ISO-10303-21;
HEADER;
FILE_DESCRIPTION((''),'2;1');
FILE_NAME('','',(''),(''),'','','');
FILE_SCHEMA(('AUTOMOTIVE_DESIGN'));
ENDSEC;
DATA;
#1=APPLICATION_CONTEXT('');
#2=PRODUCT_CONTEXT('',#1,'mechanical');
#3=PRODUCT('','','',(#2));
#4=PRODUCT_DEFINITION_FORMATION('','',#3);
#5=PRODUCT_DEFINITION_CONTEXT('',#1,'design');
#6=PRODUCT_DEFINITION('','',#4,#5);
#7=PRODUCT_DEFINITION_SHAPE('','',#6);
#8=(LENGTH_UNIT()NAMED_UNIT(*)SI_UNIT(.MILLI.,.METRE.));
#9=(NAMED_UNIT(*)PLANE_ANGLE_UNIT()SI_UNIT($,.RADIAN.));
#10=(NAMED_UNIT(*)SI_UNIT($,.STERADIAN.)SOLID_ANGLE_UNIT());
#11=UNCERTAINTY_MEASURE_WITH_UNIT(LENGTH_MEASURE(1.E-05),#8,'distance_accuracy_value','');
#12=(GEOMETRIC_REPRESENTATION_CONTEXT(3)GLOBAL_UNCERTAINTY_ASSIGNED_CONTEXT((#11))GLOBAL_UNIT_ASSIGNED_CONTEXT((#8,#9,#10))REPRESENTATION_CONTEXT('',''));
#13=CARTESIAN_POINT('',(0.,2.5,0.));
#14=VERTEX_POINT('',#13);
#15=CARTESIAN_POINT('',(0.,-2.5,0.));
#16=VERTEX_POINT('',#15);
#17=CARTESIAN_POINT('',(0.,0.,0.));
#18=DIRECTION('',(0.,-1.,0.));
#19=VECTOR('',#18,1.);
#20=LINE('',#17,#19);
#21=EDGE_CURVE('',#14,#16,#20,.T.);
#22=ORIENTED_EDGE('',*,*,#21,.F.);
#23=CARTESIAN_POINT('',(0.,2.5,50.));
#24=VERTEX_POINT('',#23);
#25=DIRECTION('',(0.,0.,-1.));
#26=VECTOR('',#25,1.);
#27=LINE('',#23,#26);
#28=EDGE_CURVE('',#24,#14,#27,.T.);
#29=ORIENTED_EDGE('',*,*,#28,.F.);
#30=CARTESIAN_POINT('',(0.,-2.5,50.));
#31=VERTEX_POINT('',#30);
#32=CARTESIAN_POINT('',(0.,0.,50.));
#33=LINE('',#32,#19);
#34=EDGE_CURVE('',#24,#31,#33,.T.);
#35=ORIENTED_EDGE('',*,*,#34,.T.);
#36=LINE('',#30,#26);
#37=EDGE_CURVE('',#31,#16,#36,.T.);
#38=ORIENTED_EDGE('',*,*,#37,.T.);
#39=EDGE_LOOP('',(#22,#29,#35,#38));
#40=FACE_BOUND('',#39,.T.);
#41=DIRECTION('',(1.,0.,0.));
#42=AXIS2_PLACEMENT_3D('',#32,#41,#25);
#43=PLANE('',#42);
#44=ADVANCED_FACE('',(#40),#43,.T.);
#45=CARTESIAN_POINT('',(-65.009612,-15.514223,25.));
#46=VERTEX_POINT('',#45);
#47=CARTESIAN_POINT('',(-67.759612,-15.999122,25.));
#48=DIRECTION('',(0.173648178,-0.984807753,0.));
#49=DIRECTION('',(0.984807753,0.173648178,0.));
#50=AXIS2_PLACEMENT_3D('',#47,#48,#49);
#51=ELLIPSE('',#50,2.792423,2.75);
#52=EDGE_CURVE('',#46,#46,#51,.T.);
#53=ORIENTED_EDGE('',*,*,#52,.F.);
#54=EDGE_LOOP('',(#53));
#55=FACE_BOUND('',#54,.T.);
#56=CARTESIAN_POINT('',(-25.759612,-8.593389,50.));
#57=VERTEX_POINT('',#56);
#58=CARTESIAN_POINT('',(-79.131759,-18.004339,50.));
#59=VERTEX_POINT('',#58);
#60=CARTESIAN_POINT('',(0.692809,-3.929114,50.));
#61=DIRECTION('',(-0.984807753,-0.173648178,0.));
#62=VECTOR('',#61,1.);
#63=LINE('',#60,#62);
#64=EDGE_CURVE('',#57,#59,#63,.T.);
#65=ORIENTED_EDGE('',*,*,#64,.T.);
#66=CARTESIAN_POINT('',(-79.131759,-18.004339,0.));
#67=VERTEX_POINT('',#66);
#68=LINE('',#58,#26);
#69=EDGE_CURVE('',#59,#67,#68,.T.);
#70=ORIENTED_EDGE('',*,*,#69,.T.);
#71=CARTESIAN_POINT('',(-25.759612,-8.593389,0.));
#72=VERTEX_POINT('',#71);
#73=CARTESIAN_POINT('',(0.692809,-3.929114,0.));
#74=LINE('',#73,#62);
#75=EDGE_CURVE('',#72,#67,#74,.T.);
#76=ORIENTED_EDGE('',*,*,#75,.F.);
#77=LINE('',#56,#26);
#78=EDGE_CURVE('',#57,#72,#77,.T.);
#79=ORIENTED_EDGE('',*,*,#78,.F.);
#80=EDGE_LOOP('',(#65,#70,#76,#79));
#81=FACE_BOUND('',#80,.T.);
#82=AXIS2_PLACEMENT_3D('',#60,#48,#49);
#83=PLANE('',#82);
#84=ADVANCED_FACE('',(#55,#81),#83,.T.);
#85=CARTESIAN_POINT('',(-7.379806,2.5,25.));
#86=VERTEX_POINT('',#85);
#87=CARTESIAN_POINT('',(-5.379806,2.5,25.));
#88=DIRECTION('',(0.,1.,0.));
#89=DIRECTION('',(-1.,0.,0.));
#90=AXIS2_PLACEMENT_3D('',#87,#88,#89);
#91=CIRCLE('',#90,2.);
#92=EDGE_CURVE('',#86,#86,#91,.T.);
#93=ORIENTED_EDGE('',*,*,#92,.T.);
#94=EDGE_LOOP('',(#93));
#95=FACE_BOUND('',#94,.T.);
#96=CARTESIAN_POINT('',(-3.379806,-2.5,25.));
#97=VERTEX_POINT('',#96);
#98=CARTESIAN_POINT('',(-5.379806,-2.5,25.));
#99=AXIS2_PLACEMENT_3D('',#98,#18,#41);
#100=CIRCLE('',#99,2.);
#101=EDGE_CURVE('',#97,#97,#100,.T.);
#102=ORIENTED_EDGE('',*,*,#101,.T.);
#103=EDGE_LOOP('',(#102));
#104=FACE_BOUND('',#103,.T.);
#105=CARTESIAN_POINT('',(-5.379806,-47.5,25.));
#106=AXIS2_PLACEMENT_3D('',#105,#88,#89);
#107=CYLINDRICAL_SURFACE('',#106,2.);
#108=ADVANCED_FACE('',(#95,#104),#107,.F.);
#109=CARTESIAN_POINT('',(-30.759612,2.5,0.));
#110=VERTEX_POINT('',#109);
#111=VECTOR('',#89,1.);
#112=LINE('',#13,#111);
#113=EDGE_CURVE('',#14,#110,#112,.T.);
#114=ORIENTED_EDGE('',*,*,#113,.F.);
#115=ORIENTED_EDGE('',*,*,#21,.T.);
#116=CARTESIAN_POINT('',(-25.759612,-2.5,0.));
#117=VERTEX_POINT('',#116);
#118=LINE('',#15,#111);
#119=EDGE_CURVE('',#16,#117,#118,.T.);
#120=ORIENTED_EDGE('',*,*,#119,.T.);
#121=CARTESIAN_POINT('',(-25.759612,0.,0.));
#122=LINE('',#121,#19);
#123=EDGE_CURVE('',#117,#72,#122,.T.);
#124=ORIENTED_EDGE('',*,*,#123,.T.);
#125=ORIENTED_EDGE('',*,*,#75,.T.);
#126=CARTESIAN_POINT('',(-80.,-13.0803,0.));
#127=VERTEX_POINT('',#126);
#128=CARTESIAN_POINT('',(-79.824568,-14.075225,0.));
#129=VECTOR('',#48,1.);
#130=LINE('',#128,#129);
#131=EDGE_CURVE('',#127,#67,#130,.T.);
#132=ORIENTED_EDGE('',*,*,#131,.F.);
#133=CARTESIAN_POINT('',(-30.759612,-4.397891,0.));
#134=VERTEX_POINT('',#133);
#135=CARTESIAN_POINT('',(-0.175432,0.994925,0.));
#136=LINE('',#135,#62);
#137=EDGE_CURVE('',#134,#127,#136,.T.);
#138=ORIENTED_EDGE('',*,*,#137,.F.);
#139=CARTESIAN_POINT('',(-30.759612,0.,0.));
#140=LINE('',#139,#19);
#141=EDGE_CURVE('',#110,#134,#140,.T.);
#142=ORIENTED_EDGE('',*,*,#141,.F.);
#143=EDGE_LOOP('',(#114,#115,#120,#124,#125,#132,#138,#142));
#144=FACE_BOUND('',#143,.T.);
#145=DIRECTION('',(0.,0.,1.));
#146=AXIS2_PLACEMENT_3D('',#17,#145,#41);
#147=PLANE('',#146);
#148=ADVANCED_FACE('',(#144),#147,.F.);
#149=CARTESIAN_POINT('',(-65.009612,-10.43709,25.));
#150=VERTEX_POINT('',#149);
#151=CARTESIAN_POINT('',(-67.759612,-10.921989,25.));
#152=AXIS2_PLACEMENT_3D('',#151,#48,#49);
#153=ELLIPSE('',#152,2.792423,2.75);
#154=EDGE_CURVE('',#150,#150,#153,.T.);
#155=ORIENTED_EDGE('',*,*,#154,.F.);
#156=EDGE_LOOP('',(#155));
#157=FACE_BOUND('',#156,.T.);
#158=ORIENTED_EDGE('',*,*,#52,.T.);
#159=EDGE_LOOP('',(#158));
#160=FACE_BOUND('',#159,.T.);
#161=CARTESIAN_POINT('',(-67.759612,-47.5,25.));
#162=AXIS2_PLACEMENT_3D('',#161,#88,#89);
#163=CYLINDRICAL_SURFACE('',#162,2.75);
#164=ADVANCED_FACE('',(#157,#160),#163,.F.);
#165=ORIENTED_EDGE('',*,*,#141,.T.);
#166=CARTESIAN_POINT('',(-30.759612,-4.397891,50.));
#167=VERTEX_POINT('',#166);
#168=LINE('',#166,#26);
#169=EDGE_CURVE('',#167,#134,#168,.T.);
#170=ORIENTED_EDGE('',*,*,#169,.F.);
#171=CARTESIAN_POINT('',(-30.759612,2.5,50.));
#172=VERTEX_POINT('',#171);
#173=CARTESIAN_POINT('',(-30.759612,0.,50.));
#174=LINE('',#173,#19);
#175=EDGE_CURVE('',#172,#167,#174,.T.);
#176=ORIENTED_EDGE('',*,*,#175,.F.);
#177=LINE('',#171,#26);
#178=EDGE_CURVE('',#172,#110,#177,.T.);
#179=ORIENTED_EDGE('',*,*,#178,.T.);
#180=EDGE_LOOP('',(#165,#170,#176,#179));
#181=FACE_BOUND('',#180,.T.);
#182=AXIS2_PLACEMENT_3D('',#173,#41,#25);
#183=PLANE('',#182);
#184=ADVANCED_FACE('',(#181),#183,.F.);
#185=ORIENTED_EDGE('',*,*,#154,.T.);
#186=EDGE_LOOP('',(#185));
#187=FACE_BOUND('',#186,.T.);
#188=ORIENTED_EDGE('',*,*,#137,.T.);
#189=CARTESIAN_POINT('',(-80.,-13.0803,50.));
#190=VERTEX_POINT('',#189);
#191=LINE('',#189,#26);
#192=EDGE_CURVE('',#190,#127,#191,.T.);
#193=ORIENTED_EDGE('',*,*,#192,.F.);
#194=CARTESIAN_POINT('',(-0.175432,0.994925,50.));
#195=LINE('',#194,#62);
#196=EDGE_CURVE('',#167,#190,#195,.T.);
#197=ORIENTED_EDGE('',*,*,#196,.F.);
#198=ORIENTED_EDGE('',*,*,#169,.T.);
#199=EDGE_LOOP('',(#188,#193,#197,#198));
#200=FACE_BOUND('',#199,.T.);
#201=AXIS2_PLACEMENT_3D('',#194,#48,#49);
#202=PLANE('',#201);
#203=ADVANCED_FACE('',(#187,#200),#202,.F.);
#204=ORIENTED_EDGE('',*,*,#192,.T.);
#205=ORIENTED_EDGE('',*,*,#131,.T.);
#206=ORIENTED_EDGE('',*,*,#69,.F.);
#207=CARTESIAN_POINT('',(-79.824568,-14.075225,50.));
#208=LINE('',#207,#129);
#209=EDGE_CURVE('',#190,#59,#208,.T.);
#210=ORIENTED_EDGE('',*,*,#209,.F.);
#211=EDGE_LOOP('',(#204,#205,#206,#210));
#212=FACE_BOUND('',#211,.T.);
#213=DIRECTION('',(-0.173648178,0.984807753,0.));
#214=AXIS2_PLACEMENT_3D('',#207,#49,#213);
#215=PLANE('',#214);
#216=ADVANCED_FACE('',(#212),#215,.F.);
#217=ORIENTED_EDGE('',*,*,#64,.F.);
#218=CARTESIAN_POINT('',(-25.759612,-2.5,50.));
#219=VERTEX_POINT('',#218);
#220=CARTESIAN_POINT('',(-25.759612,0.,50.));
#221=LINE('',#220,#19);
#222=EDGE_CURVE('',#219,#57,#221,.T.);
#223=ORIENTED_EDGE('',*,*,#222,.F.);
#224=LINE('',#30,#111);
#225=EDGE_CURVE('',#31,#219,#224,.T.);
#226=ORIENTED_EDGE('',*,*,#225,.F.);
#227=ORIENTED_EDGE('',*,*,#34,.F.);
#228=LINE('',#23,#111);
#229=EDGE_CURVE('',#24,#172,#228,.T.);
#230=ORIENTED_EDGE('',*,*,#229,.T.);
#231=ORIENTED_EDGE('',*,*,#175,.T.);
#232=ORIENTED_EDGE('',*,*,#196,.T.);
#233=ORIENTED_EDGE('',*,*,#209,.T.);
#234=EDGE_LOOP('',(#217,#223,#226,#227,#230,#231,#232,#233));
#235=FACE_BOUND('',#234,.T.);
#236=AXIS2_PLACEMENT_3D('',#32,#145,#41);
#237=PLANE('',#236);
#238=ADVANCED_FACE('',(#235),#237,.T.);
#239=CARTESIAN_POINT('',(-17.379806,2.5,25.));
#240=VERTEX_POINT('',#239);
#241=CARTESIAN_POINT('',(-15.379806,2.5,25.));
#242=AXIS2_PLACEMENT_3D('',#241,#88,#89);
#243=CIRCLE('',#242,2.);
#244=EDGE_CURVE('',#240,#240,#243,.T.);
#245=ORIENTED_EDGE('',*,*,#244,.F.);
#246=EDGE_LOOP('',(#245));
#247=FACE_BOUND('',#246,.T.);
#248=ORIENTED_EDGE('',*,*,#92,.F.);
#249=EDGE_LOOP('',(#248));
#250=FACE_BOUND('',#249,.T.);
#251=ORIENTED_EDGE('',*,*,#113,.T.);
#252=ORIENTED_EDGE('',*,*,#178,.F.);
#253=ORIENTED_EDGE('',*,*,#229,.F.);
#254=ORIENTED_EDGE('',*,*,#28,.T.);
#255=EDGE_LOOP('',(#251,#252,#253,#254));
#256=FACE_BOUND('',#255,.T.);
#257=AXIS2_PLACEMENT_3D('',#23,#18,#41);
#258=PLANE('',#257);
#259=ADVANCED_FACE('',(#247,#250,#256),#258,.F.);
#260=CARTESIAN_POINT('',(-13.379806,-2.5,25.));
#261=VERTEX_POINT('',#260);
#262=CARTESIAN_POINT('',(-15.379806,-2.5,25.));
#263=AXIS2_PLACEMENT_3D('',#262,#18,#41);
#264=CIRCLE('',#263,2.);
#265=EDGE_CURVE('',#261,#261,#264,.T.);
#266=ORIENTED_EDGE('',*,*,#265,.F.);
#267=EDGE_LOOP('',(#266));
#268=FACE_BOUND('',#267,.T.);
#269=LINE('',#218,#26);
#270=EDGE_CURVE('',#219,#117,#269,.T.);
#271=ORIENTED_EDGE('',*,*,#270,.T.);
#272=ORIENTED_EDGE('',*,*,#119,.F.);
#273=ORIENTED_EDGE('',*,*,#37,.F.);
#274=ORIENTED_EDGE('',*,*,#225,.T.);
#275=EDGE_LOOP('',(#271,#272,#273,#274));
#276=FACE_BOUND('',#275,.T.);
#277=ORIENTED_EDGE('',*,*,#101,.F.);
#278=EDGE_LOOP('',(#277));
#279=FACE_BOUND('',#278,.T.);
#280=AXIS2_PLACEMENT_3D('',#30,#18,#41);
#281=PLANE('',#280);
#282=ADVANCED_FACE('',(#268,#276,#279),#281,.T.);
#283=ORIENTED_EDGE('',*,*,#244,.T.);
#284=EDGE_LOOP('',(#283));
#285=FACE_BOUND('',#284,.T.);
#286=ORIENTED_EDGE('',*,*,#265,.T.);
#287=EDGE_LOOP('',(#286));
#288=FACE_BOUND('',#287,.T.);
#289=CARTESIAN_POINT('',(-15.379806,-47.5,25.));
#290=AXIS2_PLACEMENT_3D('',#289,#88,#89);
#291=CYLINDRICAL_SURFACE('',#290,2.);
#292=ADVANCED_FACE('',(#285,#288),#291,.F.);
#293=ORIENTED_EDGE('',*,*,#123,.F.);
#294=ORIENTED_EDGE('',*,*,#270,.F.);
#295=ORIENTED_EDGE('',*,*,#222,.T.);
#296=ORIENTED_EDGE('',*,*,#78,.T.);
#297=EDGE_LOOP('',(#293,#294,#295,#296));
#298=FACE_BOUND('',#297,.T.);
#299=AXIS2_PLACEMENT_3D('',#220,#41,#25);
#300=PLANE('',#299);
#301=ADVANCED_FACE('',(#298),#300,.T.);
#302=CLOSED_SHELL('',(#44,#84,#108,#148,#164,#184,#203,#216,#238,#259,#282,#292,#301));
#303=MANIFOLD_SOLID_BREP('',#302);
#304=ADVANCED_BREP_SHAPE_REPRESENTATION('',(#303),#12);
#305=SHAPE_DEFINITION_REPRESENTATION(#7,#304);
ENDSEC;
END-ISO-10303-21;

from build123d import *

# Parameters (mm, degrees)
BOSS_EXTRUDE1_DEPTH = 50
SKETCH2_R           = 2.75
SKETCH2_R_2         = 2
CUT_EXTRUDE1_DEPTH  = 50


with BuildPart() as part:
    # Sketch1 → Boss-Extrude1 (new body)
    with BuildSketch(Plane.XY):
        Polygon((0, 2.5), (-30.759612349, 2.5), (-30.759612349, -4.397890897), (-80, -13.08029978), (-79.131759112, -18.004338545), (-25.759612349, -8.593389053), (-25.759612349, -2.5), (0, -2.5), align=None)
    extrude(amount=BOSS_EXTRUDE1_DEPTH)

    # Sketch2 → Cut-Extrude1 (cut)
    with BuildSketch(Plane(origin=(0, 2.5, 0), x_dir=(1, 0, 0), z_dir=(0, 1, 0))):
        with Locations((-67.759612349, -25)):
            Circle(SKETCH2_R)
        with Locations((-15.379806175, -25)):
            Circle(SKETCH2_R_2)
        with Locations((-5.379806175, -25)):
            Circle(SKETCH2_R_2)
    extrude(amount=-CUT_EXTRUDE1_DEPTH, mode=Mode.SUBTRACT)


solid = part.part
